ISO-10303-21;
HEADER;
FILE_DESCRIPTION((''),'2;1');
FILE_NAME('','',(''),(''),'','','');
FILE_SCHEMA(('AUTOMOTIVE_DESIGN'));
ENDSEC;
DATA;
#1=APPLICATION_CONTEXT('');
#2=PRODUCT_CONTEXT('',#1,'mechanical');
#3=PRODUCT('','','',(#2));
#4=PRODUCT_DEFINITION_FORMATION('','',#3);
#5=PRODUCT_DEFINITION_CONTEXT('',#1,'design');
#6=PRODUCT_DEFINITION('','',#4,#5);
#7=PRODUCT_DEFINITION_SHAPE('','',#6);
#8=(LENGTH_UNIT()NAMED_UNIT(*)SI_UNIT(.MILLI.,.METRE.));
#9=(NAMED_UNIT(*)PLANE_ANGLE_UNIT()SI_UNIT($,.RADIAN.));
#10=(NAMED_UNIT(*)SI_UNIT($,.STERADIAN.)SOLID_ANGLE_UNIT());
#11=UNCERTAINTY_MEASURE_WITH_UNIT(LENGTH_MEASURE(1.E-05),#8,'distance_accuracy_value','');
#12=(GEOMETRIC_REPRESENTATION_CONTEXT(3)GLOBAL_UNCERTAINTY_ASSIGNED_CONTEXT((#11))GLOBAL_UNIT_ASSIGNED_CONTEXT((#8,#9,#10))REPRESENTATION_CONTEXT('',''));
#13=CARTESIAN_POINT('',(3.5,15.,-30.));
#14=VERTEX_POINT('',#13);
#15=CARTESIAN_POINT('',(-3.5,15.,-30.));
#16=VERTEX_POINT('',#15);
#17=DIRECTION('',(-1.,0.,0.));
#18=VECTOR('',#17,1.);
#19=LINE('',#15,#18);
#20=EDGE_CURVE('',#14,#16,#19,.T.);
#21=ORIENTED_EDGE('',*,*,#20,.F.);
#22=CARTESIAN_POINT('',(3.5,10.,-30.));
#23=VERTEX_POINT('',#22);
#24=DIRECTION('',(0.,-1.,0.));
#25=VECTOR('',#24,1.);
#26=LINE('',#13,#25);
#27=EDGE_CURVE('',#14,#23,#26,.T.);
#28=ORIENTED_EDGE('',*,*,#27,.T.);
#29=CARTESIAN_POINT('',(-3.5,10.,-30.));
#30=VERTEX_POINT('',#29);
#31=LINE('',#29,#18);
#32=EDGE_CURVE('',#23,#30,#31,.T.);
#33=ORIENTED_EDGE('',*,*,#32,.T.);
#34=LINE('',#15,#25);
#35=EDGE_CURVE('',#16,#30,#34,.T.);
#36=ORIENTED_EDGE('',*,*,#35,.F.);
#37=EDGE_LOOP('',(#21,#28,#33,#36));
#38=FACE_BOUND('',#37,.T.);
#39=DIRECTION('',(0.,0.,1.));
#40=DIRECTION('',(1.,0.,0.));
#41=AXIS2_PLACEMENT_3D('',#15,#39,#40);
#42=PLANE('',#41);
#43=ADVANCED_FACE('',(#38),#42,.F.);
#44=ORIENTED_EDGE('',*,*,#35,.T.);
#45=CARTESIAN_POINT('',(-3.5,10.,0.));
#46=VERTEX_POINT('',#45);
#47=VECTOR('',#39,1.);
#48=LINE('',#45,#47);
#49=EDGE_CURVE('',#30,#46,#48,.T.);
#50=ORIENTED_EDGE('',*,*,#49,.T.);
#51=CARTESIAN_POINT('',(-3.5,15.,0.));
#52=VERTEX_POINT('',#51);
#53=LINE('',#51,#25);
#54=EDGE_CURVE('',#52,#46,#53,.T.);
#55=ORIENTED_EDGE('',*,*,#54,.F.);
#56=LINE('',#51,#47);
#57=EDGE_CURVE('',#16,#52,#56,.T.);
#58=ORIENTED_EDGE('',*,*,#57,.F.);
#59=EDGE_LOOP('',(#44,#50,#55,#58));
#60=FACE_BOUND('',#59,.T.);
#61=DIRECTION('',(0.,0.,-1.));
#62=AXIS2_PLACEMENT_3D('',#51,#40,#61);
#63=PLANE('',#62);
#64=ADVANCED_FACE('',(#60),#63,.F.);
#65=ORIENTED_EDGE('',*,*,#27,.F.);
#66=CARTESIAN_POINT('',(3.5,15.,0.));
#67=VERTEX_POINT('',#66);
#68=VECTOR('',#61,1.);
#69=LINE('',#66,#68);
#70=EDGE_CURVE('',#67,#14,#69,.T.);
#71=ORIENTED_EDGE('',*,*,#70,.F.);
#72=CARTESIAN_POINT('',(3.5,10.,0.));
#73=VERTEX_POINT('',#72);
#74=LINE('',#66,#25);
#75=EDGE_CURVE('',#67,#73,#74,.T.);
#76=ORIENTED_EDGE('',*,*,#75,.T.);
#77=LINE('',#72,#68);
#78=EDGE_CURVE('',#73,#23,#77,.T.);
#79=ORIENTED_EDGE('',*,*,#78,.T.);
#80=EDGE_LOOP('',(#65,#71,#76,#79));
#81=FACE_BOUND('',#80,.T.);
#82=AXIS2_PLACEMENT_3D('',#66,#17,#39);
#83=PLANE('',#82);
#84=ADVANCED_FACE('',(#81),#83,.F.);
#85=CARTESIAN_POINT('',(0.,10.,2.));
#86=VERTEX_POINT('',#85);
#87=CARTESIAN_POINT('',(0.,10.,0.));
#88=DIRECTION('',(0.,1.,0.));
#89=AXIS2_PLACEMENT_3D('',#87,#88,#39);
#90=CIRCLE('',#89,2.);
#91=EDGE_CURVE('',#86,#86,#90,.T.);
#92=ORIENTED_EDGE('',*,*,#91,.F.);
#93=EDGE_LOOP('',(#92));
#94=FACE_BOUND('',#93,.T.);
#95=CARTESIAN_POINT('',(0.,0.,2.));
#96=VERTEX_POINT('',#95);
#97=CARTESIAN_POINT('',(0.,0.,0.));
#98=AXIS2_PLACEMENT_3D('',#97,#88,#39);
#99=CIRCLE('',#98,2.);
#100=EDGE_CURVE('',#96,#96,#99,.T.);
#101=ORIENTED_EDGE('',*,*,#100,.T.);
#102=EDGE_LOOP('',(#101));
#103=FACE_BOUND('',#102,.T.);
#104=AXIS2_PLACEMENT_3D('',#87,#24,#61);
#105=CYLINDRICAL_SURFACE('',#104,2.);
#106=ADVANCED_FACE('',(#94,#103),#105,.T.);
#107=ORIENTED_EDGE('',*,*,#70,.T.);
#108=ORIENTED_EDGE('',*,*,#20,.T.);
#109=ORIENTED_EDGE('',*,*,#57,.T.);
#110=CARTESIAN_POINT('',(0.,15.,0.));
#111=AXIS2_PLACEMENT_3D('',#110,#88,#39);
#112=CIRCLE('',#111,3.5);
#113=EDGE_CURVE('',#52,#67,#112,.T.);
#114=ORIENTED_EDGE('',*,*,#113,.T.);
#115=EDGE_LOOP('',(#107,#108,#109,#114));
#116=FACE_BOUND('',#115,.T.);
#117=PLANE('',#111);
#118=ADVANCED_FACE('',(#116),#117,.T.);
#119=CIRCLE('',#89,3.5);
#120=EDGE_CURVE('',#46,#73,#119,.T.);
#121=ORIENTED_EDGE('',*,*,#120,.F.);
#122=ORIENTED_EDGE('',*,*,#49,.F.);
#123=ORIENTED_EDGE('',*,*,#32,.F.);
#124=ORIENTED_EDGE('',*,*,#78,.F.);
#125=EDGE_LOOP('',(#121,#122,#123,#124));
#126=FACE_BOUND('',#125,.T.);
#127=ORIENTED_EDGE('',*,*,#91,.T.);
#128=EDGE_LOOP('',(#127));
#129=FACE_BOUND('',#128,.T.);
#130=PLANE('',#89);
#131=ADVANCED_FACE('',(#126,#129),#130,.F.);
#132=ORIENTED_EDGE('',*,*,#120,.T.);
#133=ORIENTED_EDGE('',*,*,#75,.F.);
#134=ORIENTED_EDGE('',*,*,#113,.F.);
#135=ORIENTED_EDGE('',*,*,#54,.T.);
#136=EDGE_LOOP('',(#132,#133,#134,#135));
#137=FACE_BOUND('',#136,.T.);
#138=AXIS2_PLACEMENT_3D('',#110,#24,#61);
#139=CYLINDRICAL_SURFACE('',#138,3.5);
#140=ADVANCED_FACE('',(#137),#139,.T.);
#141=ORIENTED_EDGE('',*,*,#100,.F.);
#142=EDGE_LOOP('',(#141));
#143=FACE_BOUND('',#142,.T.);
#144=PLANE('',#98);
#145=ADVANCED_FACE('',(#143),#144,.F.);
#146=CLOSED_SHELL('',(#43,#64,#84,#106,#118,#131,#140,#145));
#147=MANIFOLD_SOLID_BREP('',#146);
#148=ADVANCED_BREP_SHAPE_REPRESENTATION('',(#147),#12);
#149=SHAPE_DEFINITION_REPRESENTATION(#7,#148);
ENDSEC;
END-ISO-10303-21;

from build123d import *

# Parameters (mm, degrees)
SKETCH_1_R      = 2
EXTRUDE_1_DEPTH = 10
EXTRUDE_2_DEPTH = 5


with BuildPart() as part:
    # Эскиз1 → Бобышка-Вытянуть1 (new body)
    with BuildSketch(Plane(origin=(0, 0, 0), x_dir=(1, 0, 0), z_dir=(0, 1, 0))):
        with Locations(Location((0, 0, 0), (0, 0, 270))):
            Circle(SKETCH_1_R)
    extrude(amount=EXTRUDE_1_DEPTH)

    # Эскиз2 → Бобышка-Вытянуть2 (add)
    with BuildSketch(Plane(origin=(0, 10, 0), x_dir=(1, 0, 0), z_dir=(0, 1, 0))):
        with BuildLine():
            Line((-3.5, 0), (-3.5, 30))
            Line((-3.5, 30), (3.5, 30))
            Line((3.5, 30), (3.5, 0))
            ThreePointArc((3.5, 0), (0, -3.5), (-3.5, 0))
        make_face()
    extrude(amount=EXTRUDE_2_DEPTH)


solid = part.part
